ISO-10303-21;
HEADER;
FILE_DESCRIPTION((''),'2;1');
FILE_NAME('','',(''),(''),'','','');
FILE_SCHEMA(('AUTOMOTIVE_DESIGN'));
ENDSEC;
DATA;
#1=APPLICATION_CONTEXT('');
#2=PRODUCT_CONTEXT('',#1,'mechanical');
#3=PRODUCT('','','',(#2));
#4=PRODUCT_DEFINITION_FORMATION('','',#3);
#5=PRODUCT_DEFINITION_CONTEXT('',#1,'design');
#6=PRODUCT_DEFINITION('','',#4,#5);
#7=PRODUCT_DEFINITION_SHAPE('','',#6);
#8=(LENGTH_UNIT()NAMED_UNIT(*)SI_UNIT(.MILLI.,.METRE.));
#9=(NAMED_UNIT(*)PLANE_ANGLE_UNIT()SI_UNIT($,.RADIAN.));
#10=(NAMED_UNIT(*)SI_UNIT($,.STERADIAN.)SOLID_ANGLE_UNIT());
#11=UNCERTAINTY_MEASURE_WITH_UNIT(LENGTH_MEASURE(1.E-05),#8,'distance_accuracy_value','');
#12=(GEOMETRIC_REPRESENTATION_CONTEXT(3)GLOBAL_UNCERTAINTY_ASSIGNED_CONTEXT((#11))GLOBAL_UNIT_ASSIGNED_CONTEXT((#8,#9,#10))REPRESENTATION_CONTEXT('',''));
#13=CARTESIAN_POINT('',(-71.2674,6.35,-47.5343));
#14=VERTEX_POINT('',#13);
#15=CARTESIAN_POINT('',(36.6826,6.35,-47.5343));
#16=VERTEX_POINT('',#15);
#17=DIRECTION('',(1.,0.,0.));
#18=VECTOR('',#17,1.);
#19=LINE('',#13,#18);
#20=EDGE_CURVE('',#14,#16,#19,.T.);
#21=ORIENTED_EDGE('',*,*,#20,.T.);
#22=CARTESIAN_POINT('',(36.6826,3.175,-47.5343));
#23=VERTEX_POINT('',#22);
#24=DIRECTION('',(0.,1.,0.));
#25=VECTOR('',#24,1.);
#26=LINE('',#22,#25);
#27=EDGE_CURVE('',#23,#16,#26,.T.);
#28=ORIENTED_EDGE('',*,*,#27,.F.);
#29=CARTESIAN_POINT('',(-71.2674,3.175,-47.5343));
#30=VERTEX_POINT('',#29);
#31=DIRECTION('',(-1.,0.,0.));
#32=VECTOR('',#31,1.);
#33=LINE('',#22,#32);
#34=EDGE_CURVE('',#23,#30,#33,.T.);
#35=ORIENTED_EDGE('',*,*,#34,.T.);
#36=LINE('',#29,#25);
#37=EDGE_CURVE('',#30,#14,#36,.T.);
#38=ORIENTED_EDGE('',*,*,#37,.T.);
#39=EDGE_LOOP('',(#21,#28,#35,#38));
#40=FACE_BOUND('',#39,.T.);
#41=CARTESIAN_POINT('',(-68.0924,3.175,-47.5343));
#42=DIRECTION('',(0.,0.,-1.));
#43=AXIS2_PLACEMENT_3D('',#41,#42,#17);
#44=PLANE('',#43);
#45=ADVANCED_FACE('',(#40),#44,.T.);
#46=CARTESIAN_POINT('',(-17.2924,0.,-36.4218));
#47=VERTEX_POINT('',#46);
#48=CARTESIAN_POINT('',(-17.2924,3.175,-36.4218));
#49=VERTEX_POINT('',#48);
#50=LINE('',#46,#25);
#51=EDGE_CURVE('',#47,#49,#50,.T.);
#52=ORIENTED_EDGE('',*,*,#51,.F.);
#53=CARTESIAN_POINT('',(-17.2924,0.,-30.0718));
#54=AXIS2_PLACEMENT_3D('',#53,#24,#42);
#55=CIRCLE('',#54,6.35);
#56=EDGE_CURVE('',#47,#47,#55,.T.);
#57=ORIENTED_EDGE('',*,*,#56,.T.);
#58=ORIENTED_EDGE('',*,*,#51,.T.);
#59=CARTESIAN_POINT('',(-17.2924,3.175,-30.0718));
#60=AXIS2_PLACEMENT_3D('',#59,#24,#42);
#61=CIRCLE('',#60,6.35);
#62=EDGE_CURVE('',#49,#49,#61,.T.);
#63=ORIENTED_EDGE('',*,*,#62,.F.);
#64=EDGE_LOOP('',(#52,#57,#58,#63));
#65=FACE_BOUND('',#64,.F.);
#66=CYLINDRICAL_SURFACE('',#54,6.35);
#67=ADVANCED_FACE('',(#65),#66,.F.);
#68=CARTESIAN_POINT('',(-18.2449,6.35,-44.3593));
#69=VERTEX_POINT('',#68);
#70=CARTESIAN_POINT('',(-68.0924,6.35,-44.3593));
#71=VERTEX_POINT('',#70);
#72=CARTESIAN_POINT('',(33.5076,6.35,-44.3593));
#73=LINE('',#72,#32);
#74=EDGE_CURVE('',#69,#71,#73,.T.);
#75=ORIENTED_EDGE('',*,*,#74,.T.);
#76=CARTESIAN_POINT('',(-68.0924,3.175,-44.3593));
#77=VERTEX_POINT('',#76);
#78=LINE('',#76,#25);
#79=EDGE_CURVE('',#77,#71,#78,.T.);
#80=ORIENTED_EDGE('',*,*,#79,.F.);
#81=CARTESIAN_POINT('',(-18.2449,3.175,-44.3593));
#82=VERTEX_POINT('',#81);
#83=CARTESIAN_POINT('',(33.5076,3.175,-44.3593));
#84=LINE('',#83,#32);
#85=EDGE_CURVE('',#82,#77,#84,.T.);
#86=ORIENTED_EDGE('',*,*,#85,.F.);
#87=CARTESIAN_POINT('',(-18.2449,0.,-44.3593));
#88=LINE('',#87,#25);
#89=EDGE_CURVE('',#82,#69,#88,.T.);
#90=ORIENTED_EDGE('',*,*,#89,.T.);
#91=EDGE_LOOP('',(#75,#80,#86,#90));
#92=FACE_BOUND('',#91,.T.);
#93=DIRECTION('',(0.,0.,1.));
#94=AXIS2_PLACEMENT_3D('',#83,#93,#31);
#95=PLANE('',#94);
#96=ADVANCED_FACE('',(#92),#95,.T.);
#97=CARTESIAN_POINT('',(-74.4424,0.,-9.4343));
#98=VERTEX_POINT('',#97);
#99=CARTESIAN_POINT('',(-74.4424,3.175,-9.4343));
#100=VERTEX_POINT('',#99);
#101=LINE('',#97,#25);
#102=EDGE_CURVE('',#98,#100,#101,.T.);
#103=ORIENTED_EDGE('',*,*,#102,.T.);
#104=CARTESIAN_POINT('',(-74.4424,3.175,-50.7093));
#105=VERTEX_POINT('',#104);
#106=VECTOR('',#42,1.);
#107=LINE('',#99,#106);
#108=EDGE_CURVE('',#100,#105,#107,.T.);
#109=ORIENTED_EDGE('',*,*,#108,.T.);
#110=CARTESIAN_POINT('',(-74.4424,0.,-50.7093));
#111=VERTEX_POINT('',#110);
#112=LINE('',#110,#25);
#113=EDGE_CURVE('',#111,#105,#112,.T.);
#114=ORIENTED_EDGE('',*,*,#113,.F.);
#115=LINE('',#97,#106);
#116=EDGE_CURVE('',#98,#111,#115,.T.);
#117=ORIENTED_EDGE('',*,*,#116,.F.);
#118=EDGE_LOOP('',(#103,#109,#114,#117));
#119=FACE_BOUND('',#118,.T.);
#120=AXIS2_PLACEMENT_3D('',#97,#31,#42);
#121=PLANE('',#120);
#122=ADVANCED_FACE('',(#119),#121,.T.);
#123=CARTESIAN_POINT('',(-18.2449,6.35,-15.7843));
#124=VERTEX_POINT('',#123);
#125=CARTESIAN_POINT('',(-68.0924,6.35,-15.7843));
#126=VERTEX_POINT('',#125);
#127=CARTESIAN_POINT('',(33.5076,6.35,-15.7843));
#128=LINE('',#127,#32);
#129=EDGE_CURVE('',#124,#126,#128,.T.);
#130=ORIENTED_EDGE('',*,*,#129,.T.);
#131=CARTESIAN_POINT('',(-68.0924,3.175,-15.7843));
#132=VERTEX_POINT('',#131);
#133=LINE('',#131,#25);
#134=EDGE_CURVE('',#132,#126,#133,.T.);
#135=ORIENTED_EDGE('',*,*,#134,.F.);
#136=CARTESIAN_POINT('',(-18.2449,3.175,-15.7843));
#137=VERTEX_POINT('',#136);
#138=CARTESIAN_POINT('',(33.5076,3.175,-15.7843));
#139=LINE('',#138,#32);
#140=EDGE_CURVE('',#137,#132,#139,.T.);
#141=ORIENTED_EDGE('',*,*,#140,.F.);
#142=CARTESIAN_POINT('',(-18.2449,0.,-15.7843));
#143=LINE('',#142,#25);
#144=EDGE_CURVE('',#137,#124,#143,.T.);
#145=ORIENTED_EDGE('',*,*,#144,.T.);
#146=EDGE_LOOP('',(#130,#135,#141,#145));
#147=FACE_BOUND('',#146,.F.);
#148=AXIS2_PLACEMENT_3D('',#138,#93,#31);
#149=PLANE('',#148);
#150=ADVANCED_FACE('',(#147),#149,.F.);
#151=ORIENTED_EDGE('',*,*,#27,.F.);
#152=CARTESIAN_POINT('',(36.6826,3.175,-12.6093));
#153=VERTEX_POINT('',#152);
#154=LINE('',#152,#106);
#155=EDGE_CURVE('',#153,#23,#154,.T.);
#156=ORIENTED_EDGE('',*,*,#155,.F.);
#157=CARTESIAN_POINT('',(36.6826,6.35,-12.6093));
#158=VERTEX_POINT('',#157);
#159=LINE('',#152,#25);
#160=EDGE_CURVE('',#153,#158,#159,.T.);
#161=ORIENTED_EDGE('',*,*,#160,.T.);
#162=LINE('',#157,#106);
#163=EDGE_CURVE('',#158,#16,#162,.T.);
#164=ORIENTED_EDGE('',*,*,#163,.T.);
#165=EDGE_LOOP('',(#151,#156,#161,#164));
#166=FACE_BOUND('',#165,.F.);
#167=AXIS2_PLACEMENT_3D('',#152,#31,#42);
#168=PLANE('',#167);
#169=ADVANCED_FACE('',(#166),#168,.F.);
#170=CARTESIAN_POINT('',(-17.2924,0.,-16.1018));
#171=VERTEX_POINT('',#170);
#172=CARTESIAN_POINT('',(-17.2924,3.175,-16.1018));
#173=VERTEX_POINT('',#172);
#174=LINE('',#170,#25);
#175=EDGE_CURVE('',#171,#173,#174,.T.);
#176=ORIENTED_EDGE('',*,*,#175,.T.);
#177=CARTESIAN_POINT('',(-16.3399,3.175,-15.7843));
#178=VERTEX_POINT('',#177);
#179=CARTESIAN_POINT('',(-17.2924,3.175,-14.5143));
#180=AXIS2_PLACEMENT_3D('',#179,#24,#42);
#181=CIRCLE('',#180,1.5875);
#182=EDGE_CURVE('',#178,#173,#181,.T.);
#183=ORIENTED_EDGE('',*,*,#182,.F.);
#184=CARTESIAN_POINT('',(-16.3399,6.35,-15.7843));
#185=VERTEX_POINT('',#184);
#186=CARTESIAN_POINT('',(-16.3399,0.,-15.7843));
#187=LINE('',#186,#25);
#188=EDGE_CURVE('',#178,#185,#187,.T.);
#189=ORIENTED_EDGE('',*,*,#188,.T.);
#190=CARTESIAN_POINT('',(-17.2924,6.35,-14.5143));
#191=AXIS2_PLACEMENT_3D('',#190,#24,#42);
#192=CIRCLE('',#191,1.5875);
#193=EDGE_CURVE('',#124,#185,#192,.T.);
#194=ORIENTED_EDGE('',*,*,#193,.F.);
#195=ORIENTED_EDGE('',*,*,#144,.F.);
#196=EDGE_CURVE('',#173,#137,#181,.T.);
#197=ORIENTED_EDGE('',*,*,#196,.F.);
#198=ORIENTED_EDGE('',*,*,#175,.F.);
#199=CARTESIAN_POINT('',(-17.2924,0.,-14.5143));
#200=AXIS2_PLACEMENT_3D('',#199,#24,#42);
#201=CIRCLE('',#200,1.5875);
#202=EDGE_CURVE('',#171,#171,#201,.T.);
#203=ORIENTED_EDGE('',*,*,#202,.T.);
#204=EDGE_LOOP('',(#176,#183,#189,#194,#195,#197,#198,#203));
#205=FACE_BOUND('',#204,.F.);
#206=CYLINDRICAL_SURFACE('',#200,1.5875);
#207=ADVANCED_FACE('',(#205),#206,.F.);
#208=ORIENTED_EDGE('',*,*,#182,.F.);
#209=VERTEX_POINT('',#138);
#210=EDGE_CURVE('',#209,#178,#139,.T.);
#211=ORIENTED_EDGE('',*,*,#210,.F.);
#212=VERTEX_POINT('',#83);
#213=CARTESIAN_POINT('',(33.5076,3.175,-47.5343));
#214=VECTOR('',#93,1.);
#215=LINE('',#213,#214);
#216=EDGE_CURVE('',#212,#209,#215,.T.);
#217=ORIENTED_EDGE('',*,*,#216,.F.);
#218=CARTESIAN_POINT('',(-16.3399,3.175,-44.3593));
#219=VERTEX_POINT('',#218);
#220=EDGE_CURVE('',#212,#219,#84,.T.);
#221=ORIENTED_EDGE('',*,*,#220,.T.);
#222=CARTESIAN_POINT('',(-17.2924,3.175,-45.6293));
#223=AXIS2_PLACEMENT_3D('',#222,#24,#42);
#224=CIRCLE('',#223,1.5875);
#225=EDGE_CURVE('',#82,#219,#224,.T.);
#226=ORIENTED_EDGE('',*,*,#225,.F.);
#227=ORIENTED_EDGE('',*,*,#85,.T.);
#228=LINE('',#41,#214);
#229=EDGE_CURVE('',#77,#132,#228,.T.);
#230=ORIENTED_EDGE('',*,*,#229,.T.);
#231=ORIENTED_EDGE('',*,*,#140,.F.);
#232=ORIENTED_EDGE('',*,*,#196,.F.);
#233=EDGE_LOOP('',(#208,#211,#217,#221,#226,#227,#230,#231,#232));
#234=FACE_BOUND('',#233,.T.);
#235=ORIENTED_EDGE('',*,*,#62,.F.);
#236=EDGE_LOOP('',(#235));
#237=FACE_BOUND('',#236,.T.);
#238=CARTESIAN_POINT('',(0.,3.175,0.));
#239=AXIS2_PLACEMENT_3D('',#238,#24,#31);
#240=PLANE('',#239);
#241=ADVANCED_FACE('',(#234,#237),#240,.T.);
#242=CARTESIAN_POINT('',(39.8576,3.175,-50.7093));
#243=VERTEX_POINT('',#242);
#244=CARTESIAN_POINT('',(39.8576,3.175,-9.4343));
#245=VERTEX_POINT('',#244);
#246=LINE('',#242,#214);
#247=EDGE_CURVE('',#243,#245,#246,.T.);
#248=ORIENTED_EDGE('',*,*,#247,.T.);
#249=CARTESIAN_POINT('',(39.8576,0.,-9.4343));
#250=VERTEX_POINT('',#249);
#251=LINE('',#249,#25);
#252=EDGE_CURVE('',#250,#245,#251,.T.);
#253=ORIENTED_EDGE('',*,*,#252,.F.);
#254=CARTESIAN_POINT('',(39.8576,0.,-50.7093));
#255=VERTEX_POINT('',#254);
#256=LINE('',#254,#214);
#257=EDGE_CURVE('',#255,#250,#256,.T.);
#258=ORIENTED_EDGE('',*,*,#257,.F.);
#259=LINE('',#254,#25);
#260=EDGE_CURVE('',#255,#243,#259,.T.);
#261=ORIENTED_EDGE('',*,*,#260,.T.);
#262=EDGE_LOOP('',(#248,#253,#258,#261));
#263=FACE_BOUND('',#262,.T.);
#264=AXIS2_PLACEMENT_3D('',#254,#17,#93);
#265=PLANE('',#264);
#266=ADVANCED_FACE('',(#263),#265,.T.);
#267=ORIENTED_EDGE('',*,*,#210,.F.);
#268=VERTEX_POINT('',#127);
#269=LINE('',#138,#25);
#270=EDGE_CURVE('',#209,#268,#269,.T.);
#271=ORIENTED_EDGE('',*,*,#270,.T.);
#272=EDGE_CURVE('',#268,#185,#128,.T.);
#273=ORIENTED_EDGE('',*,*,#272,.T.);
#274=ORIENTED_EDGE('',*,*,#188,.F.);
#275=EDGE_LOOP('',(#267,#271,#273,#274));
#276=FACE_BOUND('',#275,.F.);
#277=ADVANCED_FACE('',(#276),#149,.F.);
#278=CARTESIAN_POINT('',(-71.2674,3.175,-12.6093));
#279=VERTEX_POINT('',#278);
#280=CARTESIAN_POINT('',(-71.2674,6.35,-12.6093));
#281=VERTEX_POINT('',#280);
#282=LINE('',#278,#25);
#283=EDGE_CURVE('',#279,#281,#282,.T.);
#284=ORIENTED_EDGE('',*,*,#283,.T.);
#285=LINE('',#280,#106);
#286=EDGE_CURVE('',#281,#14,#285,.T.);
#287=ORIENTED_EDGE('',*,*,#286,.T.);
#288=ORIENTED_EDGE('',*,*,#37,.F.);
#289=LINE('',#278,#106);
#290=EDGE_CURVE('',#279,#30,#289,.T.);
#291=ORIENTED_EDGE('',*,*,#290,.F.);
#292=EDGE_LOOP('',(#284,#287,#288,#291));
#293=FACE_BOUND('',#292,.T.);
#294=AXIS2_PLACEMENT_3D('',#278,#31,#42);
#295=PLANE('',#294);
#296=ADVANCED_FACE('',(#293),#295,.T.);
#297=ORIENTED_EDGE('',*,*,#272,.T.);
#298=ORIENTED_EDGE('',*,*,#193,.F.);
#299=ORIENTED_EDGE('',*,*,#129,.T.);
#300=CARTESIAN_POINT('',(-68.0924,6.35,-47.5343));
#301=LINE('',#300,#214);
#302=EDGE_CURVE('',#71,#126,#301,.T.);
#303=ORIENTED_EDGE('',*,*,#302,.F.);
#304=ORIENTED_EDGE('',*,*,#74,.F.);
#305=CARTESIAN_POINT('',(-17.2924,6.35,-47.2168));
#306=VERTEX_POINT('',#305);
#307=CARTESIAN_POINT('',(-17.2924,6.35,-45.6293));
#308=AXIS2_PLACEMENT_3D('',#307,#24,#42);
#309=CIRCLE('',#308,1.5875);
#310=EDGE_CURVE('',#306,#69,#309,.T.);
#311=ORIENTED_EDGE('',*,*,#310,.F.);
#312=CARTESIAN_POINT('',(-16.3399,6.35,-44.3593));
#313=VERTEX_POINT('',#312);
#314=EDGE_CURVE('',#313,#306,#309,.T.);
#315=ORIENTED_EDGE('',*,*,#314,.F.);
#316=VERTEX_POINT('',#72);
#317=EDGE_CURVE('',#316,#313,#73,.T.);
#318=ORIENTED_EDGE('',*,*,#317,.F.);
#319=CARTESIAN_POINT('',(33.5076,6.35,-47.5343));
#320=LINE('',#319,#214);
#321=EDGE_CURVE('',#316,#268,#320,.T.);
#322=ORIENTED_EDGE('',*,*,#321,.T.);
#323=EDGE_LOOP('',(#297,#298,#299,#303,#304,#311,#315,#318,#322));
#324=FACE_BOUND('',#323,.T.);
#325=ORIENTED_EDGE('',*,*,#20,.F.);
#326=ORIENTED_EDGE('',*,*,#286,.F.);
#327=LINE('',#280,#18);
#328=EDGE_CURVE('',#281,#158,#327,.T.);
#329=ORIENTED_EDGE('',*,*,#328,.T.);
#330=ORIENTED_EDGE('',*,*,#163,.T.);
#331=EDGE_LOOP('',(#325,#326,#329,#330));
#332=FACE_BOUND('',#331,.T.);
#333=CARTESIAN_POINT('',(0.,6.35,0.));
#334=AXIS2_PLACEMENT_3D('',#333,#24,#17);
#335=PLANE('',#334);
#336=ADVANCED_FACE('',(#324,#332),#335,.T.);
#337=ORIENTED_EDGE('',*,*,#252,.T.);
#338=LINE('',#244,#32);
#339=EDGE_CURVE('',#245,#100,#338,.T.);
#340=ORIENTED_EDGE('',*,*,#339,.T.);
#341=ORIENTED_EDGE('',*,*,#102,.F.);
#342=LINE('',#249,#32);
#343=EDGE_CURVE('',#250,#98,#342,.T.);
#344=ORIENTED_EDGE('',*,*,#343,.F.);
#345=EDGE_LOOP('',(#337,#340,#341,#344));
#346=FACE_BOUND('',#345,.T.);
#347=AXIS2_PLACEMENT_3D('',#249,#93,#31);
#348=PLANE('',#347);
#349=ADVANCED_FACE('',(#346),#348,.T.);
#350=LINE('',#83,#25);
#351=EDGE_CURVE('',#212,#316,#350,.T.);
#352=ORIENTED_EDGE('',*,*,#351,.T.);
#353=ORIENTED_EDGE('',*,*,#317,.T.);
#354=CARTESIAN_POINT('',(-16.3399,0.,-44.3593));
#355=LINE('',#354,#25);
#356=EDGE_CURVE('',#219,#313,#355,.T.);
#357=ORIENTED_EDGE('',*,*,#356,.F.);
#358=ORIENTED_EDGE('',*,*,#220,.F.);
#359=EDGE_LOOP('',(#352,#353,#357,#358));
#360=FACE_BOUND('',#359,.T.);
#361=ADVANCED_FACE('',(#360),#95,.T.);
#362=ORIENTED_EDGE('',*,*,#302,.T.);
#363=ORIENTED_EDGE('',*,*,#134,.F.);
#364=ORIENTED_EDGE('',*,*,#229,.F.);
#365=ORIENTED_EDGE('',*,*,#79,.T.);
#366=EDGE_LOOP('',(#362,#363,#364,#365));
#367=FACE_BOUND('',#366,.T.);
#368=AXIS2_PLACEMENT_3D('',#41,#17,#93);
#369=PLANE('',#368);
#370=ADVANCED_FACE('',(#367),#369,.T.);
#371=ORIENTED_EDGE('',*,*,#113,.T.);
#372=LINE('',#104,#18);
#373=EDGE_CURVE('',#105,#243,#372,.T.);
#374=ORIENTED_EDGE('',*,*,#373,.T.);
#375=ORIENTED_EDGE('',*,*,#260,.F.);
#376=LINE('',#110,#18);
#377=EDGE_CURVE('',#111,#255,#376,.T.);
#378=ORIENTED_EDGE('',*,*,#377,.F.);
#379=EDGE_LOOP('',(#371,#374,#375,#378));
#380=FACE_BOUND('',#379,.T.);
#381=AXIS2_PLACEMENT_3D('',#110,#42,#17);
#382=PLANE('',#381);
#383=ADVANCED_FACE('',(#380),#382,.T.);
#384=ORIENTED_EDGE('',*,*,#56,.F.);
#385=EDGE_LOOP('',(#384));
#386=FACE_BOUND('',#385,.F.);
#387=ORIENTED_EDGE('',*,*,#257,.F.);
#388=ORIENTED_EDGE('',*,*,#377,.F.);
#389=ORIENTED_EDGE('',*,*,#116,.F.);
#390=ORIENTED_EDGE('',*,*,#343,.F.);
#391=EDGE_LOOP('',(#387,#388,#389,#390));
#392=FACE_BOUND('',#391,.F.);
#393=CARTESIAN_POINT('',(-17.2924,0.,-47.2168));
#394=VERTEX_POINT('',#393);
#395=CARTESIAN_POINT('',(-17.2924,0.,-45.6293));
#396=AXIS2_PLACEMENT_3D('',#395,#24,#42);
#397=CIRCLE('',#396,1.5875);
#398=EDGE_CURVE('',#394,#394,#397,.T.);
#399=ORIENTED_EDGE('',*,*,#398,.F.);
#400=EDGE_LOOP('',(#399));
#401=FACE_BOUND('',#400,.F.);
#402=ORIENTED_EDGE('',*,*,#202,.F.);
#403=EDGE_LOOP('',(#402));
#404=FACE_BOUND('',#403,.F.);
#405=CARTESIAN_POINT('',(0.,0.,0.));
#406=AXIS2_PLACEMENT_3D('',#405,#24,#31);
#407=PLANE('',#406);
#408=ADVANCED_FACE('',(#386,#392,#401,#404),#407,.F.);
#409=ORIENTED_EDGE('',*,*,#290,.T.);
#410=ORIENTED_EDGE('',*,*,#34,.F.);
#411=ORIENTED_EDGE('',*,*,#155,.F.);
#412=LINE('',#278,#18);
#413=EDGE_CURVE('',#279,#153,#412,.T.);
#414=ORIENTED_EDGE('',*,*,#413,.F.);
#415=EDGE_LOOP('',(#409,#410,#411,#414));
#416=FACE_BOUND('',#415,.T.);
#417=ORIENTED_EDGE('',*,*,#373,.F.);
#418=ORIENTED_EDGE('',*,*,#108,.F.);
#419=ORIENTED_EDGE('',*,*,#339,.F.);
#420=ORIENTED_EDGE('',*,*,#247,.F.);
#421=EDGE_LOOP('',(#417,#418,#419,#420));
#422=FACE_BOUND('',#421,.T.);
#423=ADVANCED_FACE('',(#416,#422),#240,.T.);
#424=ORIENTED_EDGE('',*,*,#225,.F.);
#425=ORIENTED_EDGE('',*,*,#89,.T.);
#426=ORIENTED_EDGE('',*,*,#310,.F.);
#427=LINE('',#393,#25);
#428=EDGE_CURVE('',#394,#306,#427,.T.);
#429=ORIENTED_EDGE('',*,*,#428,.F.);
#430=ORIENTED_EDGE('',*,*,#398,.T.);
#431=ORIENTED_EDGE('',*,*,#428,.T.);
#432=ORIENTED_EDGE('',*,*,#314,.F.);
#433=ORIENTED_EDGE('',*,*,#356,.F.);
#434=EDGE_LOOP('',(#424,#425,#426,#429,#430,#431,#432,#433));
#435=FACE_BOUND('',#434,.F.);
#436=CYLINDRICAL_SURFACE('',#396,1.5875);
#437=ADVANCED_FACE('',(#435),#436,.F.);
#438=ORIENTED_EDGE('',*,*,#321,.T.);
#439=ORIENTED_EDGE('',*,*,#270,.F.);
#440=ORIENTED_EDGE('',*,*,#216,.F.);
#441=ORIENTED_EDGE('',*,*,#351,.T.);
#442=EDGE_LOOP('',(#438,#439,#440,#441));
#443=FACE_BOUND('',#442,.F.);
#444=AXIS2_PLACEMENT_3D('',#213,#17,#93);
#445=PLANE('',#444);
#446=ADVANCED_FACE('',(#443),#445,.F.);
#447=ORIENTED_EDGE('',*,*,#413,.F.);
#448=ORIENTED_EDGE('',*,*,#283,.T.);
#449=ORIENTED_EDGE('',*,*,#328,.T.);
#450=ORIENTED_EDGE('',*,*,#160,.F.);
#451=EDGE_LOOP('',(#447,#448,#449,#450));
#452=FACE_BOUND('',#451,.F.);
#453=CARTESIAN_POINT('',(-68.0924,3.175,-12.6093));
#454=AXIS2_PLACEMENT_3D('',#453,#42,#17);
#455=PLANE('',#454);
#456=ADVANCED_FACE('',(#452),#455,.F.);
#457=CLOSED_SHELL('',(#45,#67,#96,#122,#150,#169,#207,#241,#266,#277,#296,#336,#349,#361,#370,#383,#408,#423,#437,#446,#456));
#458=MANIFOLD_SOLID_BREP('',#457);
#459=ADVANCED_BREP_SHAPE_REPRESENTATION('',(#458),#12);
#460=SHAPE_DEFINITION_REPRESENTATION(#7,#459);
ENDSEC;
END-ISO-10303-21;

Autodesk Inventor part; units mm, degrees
ref_plane "YZ Plane" through (0, 0, 0) normal (1, 0, 0) x (0, 1, 0)
ref_plane "XZ Plane" through (0, 0, 0) normal (0, 1, 0) x (-1, 0, 0)
ref_plane "XY Plane" through (0, 0, 0) normal (0, 0, 1) x (1, 0, 0)
sketch "Sketch1" plane through (0, 0, 0) normal (0, 1, 0) x (-1, 0, 0)
  line L0 (74.4424, -50.7093) -> (-39.8576, -50.7093)
  line L1 (-39.8576, -50.7093) -> (-39.8576, -9.4343)
  line L2 (-39.8576, -9.4343) -> (74.4424, -9.4343)
  line L3 (74.4424, -9.4343) -> (74.4424, -50.7093)
  point P0 (0, 0)
  dimension "d0" = 41.275
  dimension "d1" = 114.3
extrude "Extrusion1" add sketch "Sketch1" along normal blind 3.175
sketch "Sketch2" plane through (0, 3.175, 0) normal (0, 1, 0) x (1, 0, 0)
  line L0 (-74.4424, 50.7093) -> (-74.4424, 9.4343) projected
  line L1 (-74.4424, 50.7093) -> (-71.2674, 50.7093)
  line L2 (39.8576, 50.7093) -> (-74.4424, 50.7093) projected
  line L3 (-71.2674, 50.7093) -> (-71.2674, 47.5343)
  line L4 (-71.2674, 47.5343) -> (-68.0924, 47.5343)
  line L5 (-68.0924, 47.5343) -> (-68.0924, 12.6093)
  line L6 (-68.0924, 12.6093) -> (-71.2674, 12.6093)
  line L7 (-71.2674, 12.6093) -> (-71.2674, 47.5343)
  point P0 (0, 0)
  dimension "d4" = 3.175
  dimension "d5" = 3.175
  dimension "d6" = 3.175
  dimension "d7" = 34.925
extrude "Extrusion2" add sketch "Sketch2" along normal blind 3.175
sketch "Sketch3" plane through (0, 3.175, 0) normal (0, 1, 0) x (1, 0, 0)
  line L0 (39.8576, 9.4343) -> (39.8576, 50.7093) projected
  line L1 (39.8576, 50.7093) -> (36.6826, 50.7093)
  line L2 (39.8576, 50.7093) -> (-74.4424, 50.7093) projected
  line L3 (36.6826, 50.7093) -> (36.6826, 47.5343)
  line L4 (36.6826, 47.5343) -> (33.5076, 47.5343)
  line L5 (33.5076, 47.5343) -> (33.5076, 12.6093)
  line L6 (33.5076, 12.6093) -> (36.6826, 12.6093)
  line L7 (36.6826, 12.6093) -> (36.6826, 47.5343)
  point P0 (0, 0)
  dimension "d10" = 3.175
  dimension "d11" = 3.175
  dimension "d12" = 3.175
  dimension "d13" = 34.925
extrude "Extrusion3" add sketch "Sketch3" along normal blind 3.175
sketch "Sketch4" plane through (0, 3.175, 0) normal (0, 1, 0) x (1, 0, 0)
  line L0 (-68.0924, 47.5343) -> (-68.0924, 12.6093) projected
  line L1 (-68.0924, 47.5343) -> (33.5076, 47.5343)
  line L2 (33.5076, 47.5343) -> (33.5076, 44.3593)
  line L3 (33.5076, 44.3593) -> (-68.0924, 44.3593)
  line L4 (-68.0924, 44.3593) -> (-68.0924, 47.5343)
  point P0 (0, 0)
  dimension "d16" = 3.175
  dimension "d17" = 101.6
extrude "Extrusion4" add sketch "Sketch4" along normal blind 3.175
sketch "Sketch5" plane through (0, 3.175, 0) normal (0, 1, 0) x (1, 0, 0)
  line L0 (-71.2674, 12.6093) -> (-68.0924, 12.6093) projected
  line L1 (-68.0924, 12.6093) -> (33.5076, 12.6093)
  line L2 (33.5076, 12.6093) -> (33.5076, 15.7843)
  line L3 (33.5076, 15.7843) -> (-68.0924, 15.7843)
  line L4 (-68.0924, 15.7843) -> (-68.0924, 12.6093)
  point P0 (0, 0)
  dimension "d20" = 3.175
  dimension "d21" = 101.6
extrude "Extrusion5" add sketch "Sketch5" along normal blind 3.175
sketch "Sketch10" plane through (0, 0, 0) normal (0, -1, 0) x (1, 0, 0)
  line L0 (39.8576, -9.4343) -> (39.8576, -30.0718)
  line L1 (39.8576, -9.4343) -> (39.8576, -50.7093) projected
  line L2 (39.8576, -30.0718) -> (-17.2924, -30.0718)
  point P0 (0, 0)
  dimension "d38" = 20.6375
  dimension "d39" = 57.15
hole "Hole2" at (-17.2924, 0, -30.0718) direction (0, 1, 0) diameter 12.7 end through all
sketch "Sketch13" plane through (0, 0, 0) normal (0, -1, 0) x (1, 0, 0)
  line L0 (39.8576, -9.4343) -> (39.8576, -50.7093) projected
  line L1 (39.8576, -9.4343) -> (39.8576, -14.5143)
  line L2 (39.8576, -14.5143) -> (-17.2924, -14.5143)
  point P0 (0, 0)
  dimension "d51" = 5.08
  dimension "d52" = 57.15
hole "Hole3" at (-17.2924, 0, -14.5143) direction (0, 1, 0) diameter 3.175 end through all
sketch "Sketch14" plane through (0, 0, 0) normal (0, -1, 0) x (1, 0, 0)
  line L0 (39.8576, -9.4343) -> (39.8576, -50.7093) projected
  line L1 (39.8576, -50.7093) -> (39.8576, -45.6293)
  line L2 (39.8576, -45.6293) -> (-17.2924, -45.6293)
  point P0 (0, 0)
  dimension "d60" = 5.08
  dimension "d61" = 57.15
hole "Hole4" at (-17.2924, 0, -45.6293) direction (0, 1, 0) diameter 3.175 end through all
properties part number "five_cell_top_case"
